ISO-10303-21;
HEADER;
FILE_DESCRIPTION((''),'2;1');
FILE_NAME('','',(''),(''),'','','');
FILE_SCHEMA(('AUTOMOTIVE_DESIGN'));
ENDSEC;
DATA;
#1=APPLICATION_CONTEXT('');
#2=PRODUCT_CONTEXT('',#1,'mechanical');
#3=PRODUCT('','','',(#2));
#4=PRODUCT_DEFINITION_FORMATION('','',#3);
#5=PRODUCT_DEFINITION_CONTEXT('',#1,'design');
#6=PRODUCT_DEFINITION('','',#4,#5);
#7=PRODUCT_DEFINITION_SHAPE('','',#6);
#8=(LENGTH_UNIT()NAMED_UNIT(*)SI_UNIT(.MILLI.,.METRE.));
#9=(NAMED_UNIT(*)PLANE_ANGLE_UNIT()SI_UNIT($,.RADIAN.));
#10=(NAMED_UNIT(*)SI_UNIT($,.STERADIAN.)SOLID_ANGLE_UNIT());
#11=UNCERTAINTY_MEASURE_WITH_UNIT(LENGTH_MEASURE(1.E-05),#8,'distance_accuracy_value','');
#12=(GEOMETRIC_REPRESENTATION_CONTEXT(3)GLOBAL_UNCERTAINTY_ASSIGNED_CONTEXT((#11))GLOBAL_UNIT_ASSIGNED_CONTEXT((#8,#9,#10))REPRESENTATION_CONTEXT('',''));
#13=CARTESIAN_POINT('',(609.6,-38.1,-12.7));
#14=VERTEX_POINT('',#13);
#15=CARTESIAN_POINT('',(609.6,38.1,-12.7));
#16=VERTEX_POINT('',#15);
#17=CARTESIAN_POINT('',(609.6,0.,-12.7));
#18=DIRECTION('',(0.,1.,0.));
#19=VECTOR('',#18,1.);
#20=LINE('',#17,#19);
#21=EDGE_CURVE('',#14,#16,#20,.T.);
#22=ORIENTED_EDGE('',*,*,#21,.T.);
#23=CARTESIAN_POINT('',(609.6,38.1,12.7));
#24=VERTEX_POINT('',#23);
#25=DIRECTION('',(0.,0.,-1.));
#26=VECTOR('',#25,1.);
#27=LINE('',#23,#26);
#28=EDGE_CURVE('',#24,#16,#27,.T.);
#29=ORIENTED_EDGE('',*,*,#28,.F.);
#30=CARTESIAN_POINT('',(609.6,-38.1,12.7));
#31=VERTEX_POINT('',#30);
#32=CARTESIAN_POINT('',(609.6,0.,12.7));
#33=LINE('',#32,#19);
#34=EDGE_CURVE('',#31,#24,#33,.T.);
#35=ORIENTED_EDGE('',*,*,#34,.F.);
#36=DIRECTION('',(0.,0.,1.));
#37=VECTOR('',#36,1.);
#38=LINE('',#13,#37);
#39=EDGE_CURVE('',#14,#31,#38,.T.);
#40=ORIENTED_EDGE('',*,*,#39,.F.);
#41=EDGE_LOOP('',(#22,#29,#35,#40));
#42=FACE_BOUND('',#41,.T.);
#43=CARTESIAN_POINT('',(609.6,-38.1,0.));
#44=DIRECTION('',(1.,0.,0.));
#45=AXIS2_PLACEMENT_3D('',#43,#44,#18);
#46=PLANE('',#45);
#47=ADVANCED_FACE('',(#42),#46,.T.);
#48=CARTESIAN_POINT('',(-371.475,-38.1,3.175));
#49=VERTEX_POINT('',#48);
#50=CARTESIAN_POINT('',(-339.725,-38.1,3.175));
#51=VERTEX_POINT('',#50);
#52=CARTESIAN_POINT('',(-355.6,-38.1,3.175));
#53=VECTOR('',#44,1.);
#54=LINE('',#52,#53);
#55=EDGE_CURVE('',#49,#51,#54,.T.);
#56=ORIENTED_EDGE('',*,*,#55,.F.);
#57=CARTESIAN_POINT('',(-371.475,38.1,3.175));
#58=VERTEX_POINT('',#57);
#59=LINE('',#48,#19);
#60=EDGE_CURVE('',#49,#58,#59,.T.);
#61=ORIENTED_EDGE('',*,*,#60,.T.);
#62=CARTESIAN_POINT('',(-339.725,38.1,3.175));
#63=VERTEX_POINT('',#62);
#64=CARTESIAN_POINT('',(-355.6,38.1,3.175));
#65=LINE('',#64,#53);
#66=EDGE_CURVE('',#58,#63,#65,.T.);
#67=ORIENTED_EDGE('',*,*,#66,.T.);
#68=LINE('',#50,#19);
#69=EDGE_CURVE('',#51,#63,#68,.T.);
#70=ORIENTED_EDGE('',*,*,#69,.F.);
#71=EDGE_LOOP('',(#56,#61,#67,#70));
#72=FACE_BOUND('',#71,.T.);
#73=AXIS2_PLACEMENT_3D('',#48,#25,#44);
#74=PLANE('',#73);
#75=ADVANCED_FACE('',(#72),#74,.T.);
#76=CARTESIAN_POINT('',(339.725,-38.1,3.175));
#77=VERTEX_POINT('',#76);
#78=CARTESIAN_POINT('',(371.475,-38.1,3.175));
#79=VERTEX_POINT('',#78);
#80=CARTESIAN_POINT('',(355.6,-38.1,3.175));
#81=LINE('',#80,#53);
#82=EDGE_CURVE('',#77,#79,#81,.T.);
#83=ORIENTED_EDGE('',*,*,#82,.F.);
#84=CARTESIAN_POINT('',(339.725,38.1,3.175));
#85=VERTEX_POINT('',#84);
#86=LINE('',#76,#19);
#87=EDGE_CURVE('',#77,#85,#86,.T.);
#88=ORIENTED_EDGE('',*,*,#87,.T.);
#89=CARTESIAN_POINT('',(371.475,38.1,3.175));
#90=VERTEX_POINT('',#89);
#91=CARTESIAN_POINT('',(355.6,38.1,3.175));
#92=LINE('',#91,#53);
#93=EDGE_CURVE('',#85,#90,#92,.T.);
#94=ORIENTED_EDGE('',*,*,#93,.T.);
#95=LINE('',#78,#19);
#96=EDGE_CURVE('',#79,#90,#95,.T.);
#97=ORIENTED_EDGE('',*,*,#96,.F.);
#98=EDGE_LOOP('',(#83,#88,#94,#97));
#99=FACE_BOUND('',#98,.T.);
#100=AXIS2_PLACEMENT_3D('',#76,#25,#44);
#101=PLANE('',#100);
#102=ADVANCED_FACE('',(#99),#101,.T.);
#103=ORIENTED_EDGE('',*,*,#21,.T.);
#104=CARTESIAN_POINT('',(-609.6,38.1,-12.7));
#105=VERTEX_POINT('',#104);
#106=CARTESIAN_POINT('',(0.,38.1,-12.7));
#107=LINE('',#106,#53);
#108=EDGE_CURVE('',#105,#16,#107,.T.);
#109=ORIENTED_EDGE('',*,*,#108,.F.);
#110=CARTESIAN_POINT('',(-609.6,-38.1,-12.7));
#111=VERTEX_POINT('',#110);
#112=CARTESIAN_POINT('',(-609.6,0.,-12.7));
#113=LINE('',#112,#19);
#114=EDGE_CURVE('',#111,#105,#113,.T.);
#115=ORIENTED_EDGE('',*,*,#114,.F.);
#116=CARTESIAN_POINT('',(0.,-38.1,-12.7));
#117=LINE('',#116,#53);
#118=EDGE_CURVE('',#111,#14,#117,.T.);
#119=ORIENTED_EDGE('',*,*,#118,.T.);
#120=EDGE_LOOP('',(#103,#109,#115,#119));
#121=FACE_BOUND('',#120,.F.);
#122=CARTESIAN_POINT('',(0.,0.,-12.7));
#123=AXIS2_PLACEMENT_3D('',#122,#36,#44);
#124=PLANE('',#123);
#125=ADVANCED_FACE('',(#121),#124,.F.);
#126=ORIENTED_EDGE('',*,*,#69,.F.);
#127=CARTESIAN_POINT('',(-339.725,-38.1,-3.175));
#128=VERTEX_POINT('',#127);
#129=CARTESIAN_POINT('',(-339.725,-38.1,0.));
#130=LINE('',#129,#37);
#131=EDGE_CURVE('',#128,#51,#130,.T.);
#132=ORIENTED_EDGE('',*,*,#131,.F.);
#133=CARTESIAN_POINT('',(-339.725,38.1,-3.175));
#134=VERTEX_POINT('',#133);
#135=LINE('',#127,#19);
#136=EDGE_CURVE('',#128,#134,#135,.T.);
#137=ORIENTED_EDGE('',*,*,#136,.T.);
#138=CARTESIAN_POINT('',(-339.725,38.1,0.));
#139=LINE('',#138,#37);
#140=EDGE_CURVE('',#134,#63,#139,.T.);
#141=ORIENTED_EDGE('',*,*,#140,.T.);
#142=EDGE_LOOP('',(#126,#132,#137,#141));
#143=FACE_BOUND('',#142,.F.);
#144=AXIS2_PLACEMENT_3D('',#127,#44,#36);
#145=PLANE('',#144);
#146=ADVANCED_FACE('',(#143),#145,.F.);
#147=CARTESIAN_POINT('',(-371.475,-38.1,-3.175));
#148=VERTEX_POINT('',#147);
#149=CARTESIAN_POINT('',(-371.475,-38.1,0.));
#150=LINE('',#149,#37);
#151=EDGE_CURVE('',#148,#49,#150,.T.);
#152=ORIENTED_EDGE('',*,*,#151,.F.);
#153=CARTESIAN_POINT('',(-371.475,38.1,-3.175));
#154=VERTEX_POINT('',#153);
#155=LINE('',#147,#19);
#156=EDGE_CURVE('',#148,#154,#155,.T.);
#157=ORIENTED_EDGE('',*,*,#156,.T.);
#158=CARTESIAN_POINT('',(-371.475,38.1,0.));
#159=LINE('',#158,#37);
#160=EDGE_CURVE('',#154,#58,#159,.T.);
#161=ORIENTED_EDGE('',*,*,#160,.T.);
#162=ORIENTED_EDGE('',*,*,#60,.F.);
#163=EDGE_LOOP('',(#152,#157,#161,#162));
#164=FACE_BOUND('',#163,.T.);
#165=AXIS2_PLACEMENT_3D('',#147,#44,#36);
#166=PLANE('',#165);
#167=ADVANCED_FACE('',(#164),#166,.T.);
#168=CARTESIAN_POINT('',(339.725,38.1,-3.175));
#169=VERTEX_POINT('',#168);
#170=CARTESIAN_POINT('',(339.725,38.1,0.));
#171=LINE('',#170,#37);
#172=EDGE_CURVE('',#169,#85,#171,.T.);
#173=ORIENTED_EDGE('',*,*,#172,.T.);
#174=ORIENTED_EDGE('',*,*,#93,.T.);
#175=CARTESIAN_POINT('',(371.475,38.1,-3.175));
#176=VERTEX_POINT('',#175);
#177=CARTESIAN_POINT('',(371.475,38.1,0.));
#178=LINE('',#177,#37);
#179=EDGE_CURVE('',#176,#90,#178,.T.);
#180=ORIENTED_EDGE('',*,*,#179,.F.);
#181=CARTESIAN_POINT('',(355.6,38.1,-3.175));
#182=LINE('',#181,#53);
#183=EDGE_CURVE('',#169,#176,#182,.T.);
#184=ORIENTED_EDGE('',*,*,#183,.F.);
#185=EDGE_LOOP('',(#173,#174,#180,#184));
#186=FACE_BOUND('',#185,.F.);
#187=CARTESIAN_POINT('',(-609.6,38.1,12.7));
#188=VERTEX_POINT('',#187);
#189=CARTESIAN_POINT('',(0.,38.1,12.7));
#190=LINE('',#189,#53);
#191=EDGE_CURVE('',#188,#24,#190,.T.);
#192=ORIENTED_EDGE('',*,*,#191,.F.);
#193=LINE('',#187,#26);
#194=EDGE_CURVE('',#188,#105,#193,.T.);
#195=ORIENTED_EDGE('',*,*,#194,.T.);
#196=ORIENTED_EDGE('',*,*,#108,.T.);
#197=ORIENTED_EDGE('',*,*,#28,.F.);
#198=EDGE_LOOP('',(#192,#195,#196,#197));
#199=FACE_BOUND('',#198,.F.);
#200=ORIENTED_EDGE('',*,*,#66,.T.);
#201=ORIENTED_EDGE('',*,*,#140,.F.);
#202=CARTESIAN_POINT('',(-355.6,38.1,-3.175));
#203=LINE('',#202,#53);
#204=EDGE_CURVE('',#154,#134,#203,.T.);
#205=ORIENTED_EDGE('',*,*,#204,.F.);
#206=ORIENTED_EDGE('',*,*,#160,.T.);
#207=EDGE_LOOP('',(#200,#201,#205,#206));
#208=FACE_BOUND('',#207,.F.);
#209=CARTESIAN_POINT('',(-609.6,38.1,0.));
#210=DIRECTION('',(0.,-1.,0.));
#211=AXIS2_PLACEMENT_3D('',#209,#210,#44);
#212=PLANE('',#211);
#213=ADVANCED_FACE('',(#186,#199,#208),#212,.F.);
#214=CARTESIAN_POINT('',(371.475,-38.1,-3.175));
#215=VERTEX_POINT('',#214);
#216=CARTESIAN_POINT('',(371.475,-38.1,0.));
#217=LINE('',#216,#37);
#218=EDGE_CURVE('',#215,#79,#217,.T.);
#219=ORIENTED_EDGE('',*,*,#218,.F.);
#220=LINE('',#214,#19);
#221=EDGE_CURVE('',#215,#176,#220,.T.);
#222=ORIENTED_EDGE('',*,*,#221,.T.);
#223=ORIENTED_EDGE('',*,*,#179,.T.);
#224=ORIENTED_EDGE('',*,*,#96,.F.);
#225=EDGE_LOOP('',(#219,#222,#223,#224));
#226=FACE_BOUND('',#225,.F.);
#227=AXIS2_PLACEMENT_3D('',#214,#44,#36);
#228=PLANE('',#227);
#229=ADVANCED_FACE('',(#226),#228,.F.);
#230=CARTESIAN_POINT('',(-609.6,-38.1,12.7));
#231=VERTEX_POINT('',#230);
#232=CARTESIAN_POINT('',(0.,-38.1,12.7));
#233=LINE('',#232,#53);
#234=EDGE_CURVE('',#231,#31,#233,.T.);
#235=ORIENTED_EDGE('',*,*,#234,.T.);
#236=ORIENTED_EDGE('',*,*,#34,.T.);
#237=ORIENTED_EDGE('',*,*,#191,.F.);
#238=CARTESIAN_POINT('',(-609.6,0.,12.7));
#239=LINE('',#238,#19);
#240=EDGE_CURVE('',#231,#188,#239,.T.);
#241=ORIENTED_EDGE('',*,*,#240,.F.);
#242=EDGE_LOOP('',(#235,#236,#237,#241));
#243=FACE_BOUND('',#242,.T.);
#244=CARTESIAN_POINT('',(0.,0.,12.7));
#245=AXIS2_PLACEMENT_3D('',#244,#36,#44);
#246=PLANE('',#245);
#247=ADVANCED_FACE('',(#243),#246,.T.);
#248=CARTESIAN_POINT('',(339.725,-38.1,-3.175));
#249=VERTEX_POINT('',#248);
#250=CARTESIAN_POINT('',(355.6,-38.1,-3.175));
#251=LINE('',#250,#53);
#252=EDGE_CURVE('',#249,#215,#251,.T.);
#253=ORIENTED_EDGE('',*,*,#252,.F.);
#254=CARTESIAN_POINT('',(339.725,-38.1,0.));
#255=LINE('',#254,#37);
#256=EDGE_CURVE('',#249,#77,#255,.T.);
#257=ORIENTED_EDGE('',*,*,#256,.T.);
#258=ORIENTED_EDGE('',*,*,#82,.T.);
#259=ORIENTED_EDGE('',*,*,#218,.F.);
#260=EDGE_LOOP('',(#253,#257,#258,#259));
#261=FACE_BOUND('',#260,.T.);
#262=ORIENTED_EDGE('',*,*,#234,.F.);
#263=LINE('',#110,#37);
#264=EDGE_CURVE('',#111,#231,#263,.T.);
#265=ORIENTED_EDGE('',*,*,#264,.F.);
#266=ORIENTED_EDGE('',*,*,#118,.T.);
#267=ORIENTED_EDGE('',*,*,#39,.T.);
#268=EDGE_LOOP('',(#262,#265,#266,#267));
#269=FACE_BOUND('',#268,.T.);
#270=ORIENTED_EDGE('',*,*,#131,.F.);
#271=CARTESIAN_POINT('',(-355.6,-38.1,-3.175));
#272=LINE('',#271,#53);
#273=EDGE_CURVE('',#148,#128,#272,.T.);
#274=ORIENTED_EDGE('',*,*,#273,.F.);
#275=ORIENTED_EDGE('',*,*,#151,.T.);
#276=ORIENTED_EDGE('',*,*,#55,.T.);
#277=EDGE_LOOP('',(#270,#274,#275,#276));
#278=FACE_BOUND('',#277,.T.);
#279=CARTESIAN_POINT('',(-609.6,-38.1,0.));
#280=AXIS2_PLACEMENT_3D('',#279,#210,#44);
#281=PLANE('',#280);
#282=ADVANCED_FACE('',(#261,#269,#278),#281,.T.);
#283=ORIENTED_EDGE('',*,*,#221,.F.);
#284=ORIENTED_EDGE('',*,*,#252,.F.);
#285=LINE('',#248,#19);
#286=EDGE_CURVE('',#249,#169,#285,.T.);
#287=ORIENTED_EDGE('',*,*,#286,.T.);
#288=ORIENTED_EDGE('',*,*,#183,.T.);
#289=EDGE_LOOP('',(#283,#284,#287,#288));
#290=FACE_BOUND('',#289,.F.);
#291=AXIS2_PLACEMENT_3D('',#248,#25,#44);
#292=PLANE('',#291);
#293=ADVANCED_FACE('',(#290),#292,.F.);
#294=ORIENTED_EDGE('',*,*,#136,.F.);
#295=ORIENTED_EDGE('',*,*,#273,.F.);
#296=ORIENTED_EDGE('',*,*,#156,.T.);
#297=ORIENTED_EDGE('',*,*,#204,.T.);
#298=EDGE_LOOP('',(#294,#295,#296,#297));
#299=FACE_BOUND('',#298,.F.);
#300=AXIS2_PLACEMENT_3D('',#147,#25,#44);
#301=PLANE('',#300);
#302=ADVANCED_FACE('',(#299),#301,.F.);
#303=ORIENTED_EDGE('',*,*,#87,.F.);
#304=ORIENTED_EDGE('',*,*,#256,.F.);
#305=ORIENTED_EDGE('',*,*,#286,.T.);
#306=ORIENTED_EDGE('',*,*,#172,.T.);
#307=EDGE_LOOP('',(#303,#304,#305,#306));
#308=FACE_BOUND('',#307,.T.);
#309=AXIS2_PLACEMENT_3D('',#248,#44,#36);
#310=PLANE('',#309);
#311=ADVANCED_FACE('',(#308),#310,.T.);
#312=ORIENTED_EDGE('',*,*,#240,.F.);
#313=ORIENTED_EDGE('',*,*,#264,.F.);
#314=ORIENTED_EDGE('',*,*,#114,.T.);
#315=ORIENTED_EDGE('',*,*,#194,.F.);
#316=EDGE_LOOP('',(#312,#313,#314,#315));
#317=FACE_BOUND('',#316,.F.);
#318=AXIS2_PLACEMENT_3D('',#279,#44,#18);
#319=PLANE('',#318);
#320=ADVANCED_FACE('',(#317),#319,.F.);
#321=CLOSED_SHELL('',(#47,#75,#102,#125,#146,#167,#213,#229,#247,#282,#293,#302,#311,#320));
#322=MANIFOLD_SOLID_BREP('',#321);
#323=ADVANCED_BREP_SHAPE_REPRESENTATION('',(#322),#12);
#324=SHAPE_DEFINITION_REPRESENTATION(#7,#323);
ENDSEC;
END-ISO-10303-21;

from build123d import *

# Parameters (mm, degrees)
F0_W     = 1219.2
F0_H     = 76.2
F1_DEPTH = 12.7
F2_W     = 31.75
F2_H     = 6.35
F3_DEPTH = 76.2
F4_DEPTH = 76.2


with BuildPart() as f1:
    # F0 (on Top) → F1 (new body, symmetric)
    with BuildSketch(Plane.XY):
        Rectangle(F0_W, F0_H)
    extrude(amount=F1_DEPTH, both=True)

    # F2 (on face) → F3 (cut, through all)
    with BuildSketch(Plane.XZ.offset(38.1)):
        with Locations((-355.6, 0)):
            Rectangle(F2_W, F2_H)
    extrude(amount=-F3_DEPTH, mode=Mode.SUBTRACT)

    # F2 (on face) → F4 (cut, through all)
    with BuildSketch(Plane.XZ.offset(38.1)):
        with Locations((355.6, 0)):
            Rectangle(F2_W, F2_H)
    extrude(amount=-F4_DEPTH, mode=Mode.SUBTRACT)


solid = f1.part
